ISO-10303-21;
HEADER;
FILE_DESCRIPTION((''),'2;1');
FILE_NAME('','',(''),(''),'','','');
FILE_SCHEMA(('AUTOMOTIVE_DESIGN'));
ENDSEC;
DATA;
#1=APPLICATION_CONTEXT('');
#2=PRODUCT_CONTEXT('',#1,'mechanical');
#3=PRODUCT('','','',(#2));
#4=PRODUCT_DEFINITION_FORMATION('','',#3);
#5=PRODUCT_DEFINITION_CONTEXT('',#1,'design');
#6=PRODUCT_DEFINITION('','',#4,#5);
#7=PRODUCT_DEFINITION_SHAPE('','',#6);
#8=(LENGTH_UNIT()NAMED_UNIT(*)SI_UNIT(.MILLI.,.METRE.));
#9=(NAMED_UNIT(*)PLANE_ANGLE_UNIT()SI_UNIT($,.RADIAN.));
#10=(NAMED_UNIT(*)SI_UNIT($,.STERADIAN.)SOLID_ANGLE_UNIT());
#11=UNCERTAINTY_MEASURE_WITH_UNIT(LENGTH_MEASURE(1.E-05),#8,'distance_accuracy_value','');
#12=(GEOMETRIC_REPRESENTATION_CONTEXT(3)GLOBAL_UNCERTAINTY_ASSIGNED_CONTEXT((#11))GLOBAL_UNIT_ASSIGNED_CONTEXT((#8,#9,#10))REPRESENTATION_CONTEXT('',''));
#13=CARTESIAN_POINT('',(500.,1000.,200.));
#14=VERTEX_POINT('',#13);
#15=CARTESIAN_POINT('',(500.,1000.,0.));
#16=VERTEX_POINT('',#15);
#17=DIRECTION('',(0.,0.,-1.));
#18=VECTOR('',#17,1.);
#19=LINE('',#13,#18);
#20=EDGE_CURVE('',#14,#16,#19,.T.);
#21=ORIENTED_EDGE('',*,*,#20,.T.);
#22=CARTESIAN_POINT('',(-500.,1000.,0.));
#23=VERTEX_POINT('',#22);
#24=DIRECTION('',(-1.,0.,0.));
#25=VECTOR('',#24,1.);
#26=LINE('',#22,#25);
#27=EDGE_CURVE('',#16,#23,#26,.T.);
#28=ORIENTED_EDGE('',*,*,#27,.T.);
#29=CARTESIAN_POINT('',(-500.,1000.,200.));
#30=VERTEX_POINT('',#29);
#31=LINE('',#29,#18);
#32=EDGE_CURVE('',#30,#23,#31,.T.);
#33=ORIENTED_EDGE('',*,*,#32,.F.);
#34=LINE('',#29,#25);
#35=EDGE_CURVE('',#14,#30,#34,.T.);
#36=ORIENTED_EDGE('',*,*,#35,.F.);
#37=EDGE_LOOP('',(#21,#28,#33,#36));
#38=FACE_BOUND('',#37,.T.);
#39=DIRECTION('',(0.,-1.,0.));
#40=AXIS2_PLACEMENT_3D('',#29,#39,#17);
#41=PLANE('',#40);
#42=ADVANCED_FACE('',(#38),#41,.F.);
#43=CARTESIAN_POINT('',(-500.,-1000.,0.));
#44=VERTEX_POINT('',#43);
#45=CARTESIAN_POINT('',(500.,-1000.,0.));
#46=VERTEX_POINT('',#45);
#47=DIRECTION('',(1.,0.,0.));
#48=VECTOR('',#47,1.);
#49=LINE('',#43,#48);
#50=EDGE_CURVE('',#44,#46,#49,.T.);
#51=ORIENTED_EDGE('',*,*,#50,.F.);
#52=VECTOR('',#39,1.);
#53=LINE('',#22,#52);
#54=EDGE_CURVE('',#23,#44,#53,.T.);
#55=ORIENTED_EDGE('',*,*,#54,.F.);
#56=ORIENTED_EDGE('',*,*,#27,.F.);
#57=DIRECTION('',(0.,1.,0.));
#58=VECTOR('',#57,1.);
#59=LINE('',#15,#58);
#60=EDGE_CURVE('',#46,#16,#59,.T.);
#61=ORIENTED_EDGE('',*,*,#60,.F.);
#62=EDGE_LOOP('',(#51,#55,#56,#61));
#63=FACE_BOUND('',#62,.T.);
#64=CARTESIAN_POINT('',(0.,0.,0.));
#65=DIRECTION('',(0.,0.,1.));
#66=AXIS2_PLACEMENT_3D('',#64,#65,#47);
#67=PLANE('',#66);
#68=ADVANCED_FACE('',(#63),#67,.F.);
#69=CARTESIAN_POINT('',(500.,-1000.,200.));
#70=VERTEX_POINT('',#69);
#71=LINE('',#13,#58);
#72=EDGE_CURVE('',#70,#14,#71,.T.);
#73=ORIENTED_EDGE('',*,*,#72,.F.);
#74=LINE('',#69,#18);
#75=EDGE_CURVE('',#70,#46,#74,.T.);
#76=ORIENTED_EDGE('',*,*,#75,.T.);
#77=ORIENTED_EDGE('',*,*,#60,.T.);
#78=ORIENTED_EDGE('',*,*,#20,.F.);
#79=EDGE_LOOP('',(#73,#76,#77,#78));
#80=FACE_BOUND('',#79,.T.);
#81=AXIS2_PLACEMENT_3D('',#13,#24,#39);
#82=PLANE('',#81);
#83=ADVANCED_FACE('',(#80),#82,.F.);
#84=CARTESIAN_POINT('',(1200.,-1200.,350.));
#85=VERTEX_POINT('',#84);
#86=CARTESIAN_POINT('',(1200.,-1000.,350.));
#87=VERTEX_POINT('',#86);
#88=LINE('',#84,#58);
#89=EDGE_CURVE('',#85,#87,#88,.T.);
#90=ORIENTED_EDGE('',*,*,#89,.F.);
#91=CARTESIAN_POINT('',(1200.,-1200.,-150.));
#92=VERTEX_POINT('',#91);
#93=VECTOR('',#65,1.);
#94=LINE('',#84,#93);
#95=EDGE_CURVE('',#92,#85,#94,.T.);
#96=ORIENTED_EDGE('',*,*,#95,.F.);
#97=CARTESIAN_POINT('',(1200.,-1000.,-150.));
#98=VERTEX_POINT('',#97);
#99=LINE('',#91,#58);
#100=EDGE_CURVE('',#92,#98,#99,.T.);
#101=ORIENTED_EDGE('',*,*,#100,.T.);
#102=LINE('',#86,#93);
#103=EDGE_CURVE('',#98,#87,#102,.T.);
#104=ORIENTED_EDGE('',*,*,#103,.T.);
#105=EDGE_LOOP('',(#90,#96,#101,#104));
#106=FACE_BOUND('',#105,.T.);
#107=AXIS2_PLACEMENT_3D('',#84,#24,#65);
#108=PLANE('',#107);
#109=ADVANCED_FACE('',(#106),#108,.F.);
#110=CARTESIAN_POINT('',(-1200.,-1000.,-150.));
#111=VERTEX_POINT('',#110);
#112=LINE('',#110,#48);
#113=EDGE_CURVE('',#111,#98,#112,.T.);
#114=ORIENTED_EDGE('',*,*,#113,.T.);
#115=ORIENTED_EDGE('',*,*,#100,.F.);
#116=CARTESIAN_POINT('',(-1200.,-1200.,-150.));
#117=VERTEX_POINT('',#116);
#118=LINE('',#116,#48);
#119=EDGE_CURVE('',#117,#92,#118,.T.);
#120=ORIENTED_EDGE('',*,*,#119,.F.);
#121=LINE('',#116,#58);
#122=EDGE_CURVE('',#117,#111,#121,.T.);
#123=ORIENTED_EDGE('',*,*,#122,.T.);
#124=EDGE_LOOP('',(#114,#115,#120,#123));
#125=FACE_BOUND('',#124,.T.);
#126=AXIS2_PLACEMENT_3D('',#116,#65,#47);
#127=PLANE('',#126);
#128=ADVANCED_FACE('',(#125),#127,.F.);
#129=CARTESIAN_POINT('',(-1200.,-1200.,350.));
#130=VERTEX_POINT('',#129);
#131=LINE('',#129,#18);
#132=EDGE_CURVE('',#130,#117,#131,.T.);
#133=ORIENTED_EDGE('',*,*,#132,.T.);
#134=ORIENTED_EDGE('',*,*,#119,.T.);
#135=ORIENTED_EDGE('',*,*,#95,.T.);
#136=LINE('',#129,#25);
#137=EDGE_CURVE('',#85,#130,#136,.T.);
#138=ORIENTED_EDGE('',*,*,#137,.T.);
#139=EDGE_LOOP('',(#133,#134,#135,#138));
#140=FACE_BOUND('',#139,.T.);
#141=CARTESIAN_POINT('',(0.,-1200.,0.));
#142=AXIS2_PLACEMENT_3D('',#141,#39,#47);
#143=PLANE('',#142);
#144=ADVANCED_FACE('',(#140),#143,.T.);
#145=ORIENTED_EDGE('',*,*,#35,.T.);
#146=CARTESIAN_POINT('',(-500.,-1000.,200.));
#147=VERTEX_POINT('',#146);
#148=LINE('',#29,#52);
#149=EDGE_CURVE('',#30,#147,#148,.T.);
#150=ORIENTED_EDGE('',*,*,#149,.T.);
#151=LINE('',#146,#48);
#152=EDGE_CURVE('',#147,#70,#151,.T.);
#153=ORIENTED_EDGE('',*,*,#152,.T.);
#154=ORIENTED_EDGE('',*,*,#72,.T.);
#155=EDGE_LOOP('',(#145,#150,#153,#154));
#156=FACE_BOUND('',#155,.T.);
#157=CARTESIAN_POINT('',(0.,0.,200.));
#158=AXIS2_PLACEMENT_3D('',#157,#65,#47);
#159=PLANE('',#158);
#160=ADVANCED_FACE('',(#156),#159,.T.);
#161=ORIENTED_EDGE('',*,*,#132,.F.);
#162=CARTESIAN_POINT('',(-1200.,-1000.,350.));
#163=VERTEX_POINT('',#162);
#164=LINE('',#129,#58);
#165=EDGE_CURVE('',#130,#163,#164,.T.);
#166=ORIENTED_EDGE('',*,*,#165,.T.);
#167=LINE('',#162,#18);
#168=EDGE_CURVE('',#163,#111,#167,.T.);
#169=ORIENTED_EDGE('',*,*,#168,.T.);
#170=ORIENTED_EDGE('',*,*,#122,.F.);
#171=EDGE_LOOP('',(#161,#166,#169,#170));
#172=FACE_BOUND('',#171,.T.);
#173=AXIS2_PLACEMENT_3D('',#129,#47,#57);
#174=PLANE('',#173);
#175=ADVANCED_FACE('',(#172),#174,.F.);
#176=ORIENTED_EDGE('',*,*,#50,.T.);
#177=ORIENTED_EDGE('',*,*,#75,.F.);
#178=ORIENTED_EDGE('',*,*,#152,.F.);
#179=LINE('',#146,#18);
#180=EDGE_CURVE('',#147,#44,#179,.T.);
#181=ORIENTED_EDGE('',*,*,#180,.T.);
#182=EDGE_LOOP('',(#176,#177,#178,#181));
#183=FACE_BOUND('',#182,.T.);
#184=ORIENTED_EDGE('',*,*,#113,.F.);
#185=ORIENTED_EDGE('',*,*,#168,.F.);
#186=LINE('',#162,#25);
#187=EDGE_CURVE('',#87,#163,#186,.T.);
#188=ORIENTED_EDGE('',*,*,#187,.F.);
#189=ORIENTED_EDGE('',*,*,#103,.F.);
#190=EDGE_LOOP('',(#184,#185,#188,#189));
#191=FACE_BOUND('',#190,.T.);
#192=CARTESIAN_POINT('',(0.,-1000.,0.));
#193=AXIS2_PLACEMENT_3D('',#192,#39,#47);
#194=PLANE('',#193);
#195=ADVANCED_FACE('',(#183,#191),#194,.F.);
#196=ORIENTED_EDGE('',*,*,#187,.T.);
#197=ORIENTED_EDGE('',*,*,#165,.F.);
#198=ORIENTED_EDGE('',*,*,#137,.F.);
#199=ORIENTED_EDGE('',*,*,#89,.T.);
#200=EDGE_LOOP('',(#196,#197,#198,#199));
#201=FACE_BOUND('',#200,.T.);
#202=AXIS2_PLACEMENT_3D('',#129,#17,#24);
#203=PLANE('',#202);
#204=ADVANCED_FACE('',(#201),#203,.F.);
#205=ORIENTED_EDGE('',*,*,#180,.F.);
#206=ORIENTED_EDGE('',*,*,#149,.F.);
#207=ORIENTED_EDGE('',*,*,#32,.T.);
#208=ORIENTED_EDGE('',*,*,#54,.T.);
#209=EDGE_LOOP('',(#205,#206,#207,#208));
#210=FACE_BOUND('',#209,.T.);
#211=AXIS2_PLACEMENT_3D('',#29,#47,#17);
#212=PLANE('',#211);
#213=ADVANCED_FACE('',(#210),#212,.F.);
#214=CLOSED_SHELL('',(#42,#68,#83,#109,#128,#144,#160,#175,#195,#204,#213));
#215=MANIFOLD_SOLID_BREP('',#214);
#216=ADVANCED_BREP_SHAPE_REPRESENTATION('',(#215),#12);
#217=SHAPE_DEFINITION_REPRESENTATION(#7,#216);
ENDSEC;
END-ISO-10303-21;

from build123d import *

# Parameters (mm, degrees)
SKETCH_1_W      = 1000
SKETCH_1_H      = 2000
EXTRUDE_1_DEPTH = 200
SKETCH_2_W      = 2400
SKETCH_2_H      = 500
EXTRUDE_2_DEPTH = 200


with BuildPart() as part:
    # 草图1 → 凸台-拉伸1 (new body)
    with BuildSketch(Plane.XY):
        Rectangle(SKETCH_1_W, SKETCH_1_H)
    extrude(amount=EXTRUDE_1_DEPTH)

    # 草图2 → 凸台-拉伸2 (add)
    with BuildSketch(Plane.XZ.offset(1000)):
        with Locations((0, 100)):
            Rectangle(SKETCH_2_W, SKETCH_2_H)
    extrude(amount=EXTRUDE_2_DEPTH)


solid = part.part
